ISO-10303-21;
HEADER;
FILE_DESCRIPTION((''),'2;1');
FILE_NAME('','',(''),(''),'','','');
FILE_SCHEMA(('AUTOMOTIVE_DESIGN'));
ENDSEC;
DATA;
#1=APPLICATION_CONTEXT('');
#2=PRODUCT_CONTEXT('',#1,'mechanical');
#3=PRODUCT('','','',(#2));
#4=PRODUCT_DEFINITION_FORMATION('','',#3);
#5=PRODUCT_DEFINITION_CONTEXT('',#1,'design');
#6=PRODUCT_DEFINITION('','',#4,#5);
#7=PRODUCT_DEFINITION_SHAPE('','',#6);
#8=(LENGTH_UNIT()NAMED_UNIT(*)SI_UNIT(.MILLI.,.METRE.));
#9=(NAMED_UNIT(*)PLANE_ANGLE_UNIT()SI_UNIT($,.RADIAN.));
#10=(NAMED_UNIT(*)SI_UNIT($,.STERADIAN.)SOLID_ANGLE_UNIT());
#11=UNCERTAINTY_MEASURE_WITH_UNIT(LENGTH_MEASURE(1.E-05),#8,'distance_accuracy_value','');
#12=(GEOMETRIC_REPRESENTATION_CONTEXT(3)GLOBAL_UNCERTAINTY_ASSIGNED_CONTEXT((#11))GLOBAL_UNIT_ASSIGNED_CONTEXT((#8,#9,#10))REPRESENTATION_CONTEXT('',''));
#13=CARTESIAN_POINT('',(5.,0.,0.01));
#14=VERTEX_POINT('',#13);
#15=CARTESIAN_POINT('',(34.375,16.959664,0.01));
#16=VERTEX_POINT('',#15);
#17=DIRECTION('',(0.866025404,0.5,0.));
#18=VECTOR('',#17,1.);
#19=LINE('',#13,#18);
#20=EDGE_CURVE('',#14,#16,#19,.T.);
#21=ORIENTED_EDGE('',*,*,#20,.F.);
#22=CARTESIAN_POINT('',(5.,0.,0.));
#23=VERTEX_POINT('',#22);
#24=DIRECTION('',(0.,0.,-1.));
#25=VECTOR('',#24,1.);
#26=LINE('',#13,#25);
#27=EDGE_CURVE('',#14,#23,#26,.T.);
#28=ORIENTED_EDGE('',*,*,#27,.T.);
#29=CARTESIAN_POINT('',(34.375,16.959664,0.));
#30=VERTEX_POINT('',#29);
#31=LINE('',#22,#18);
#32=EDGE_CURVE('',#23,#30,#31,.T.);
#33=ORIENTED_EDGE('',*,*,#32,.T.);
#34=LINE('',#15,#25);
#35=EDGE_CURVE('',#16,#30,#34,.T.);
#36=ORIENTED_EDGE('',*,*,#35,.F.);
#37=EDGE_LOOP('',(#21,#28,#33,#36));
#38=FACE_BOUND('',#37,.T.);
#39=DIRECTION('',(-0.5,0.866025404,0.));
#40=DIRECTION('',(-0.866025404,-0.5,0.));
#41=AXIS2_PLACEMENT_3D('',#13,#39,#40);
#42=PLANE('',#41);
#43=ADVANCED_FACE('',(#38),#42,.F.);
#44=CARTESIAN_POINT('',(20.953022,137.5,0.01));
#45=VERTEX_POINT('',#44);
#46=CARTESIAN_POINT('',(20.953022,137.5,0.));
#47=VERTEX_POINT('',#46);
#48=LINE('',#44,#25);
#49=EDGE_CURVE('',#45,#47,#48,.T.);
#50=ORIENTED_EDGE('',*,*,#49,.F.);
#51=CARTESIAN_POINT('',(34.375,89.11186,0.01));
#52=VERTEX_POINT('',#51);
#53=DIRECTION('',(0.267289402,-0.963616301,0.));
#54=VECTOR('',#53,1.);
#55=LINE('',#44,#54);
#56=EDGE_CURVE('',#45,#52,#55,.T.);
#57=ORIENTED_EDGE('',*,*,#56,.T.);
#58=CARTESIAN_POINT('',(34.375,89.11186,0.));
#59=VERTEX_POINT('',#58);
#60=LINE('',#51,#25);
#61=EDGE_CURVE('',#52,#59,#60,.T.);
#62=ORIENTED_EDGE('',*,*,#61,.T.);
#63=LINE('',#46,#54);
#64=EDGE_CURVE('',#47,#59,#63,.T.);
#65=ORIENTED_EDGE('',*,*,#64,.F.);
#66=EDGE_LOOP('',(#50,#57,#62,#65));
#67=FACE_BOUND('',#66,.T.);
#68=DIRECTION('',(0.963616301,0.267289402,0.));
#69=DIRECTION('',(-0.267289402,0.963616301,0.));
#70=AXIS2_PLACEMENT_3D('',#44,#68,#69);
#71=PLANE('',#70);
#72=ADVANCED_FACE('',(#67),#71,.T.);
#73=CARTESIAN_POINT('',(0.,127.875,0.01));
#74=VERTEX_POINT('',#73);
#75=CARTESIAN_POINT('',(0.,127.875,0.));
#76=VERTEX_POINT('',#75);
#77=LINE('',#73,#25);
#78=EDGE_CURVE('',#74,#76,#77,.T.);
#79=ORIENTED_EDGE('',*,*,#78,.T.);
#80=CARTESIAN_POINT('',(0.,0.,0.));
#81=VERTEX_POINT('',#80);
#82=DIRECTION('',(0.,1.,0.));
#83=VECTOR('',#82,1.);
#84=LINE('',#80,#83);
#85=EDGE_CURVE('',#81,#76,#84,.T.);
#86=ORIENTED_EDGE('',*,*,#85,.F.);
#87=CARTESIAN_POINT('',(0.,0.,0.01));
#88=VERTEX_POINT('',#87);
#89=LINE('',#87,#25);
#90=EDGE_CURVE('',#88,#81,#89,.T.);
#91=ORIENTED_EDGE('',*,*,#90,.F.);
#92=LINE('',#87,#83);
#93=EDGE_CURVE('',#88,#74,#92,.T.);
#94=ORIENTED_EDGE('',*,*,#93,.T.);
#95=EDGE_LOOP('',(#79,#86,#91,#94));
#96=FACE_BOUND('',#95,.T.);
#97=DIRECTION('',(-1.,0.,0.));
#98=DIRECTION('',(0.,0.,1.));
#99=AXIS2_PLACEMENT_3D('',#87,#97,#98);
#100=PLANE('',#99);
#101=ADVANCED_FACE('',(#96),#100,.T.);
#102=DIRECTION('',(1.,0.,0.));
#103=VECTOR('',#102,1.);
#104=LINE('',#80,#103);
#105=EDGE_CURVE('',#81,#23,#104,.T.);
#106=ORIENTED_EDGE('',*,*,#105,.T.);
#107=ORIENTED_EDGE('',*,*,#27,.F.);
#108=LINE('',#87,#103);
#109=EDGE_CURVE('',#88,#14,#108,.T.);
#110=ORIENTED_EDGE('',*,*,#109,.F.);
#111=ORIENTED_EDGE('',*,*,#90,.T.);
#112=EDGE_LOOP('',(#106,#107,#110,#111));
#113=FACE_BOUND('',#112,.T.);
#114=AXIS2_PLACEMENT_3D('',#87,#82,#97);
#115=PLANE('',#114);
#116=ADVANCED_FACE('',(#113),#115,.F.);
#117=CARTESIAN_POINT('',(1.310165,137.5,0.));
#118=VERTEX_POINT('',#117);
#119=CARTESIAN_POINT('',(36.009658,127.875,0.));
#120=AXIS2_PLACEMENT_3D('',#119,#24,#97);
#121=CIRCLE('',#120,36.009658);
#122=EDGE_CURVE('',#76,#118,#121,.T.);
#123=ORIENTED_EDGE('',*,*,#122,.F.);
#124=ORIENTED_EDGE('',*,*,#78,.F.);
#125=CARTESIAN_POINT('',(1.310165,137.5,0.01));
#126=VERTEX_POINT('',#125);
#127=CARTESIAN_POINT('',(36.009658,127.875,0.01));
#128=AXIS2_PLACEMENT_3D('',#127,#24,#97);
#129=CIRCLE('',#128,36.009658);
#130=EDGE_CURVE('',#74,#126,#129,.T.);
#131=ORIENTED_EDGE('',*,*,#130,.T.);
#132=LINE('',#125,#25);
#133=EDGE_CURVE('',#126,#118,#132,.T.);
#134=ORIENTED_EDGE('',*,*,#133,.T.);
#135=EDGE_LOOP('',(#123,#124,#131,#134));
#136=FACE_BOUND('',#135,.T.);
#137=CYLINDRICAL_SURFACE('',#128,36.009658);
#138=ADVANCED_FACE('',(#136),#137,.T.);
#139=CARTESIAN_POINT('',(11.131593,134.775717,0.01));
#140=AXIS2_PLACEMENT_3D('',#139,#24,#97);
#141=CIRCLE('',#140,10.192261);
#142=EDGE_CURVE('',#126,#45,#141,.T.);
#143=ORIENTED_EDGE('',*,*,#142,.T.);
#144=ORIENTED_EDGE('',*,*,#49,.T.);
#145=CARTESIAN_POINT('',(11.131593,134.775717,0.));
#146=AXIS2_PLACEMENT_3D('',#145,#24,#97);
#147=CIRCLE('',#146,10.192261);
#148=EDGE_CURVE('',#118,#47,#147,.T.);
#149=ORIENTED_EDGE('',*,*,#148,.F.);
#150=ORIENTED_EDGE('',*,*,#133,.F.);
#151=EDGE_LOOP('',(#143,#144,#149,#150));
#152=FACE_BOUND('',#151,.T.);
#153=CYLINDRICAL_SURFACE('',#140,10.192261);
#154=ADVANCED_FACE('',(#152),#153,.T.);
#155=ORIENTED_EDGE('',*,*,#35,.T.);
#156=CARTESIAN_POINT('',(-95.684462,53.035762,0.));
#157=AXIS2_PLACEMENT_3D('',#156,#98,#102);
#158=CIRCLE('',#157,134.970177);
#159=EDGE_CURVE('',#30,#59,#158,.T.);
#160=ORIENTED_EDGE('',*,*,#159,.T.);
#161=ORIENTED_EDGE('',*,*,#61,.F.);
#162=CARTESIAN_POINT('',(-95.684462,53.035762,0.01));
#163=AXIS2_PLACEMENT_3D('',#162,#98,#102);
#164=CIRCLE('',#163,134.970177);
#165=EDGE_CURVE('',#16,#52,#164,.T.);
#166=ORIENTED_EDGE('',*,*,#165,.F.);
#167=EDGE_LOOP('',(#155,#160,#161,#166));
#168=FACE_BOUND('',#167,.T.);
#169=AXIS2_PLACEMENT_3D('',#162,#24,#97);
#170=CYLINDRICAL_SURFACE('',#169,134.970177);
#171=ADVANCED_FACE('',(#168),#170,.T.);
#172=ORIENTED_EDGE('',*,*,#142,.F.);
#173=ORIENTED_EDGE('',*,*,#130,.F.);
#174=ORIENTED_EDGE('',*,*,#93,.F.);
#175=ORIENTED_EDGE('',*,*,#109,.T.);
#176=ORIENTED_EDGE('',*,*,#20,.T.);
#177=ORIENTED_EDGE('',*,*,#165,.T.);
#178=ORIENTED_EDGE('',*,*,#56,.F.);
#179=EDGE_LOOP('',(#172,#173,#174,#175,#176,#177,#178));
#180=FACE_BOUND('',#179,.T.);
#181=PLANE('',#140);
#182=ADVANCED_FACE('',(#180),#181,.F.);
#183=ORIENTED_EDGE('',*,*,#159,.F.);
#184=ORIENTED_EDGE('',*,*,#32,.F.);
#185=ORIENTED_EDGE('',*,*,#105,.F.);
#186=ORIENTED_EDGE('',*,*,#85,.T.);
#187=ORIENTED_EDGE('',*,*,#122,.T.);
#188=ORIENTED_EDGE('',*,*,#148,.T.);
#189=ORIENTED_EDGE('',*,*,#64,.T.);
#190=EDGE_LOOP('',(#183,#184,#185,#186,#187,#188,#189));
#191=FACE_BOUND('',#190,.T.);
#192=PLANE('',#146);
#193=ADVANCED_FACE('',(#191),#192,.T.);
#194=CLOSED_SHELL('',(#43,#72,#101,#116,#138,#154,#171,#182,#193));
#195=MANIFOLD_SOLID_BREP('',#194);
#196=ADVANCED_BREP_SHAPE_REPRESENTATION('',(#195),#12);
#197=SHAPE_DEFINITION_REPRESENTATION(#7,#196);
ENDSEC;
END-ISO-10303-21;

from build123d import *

# Parameters (mm, degrees)
BOSS_EXTRUDE1_DEPTH = 0.01


with BuildPart() as part:
    # Sketch1 → Boss-Extrude1 (new body)
    with BuildSketch(Plane(origin=(0, 0, 0), x_dir=(0, 1, 0), z_dir=(0, 0, 1))):
        with BuildLine():
            Line((0, 0), (127.875, 0))
            ThreePointArc((127.875, 0), (132.731880588, -0.329044492), (137.5, -1.310164565))
            ThreePointArc((137.5, -1.310164565), (144.967977443, -11.131593136), (137.5, -20.953021708))
            Line((137.5, -20.953021708), (89.111859788, -34.375))
            ThreePointArc((89.111859788, -34.375), (53.035761973, -39.285714286), (16.959664157, -34.375))
            Line((16.959664157, -34.375), (0, -5))
            Line((0, -5), (0, 0))
        make_face()
    extrude(amount=BOSS_EXTRUDE1_DEPTH)


solid = part.part
